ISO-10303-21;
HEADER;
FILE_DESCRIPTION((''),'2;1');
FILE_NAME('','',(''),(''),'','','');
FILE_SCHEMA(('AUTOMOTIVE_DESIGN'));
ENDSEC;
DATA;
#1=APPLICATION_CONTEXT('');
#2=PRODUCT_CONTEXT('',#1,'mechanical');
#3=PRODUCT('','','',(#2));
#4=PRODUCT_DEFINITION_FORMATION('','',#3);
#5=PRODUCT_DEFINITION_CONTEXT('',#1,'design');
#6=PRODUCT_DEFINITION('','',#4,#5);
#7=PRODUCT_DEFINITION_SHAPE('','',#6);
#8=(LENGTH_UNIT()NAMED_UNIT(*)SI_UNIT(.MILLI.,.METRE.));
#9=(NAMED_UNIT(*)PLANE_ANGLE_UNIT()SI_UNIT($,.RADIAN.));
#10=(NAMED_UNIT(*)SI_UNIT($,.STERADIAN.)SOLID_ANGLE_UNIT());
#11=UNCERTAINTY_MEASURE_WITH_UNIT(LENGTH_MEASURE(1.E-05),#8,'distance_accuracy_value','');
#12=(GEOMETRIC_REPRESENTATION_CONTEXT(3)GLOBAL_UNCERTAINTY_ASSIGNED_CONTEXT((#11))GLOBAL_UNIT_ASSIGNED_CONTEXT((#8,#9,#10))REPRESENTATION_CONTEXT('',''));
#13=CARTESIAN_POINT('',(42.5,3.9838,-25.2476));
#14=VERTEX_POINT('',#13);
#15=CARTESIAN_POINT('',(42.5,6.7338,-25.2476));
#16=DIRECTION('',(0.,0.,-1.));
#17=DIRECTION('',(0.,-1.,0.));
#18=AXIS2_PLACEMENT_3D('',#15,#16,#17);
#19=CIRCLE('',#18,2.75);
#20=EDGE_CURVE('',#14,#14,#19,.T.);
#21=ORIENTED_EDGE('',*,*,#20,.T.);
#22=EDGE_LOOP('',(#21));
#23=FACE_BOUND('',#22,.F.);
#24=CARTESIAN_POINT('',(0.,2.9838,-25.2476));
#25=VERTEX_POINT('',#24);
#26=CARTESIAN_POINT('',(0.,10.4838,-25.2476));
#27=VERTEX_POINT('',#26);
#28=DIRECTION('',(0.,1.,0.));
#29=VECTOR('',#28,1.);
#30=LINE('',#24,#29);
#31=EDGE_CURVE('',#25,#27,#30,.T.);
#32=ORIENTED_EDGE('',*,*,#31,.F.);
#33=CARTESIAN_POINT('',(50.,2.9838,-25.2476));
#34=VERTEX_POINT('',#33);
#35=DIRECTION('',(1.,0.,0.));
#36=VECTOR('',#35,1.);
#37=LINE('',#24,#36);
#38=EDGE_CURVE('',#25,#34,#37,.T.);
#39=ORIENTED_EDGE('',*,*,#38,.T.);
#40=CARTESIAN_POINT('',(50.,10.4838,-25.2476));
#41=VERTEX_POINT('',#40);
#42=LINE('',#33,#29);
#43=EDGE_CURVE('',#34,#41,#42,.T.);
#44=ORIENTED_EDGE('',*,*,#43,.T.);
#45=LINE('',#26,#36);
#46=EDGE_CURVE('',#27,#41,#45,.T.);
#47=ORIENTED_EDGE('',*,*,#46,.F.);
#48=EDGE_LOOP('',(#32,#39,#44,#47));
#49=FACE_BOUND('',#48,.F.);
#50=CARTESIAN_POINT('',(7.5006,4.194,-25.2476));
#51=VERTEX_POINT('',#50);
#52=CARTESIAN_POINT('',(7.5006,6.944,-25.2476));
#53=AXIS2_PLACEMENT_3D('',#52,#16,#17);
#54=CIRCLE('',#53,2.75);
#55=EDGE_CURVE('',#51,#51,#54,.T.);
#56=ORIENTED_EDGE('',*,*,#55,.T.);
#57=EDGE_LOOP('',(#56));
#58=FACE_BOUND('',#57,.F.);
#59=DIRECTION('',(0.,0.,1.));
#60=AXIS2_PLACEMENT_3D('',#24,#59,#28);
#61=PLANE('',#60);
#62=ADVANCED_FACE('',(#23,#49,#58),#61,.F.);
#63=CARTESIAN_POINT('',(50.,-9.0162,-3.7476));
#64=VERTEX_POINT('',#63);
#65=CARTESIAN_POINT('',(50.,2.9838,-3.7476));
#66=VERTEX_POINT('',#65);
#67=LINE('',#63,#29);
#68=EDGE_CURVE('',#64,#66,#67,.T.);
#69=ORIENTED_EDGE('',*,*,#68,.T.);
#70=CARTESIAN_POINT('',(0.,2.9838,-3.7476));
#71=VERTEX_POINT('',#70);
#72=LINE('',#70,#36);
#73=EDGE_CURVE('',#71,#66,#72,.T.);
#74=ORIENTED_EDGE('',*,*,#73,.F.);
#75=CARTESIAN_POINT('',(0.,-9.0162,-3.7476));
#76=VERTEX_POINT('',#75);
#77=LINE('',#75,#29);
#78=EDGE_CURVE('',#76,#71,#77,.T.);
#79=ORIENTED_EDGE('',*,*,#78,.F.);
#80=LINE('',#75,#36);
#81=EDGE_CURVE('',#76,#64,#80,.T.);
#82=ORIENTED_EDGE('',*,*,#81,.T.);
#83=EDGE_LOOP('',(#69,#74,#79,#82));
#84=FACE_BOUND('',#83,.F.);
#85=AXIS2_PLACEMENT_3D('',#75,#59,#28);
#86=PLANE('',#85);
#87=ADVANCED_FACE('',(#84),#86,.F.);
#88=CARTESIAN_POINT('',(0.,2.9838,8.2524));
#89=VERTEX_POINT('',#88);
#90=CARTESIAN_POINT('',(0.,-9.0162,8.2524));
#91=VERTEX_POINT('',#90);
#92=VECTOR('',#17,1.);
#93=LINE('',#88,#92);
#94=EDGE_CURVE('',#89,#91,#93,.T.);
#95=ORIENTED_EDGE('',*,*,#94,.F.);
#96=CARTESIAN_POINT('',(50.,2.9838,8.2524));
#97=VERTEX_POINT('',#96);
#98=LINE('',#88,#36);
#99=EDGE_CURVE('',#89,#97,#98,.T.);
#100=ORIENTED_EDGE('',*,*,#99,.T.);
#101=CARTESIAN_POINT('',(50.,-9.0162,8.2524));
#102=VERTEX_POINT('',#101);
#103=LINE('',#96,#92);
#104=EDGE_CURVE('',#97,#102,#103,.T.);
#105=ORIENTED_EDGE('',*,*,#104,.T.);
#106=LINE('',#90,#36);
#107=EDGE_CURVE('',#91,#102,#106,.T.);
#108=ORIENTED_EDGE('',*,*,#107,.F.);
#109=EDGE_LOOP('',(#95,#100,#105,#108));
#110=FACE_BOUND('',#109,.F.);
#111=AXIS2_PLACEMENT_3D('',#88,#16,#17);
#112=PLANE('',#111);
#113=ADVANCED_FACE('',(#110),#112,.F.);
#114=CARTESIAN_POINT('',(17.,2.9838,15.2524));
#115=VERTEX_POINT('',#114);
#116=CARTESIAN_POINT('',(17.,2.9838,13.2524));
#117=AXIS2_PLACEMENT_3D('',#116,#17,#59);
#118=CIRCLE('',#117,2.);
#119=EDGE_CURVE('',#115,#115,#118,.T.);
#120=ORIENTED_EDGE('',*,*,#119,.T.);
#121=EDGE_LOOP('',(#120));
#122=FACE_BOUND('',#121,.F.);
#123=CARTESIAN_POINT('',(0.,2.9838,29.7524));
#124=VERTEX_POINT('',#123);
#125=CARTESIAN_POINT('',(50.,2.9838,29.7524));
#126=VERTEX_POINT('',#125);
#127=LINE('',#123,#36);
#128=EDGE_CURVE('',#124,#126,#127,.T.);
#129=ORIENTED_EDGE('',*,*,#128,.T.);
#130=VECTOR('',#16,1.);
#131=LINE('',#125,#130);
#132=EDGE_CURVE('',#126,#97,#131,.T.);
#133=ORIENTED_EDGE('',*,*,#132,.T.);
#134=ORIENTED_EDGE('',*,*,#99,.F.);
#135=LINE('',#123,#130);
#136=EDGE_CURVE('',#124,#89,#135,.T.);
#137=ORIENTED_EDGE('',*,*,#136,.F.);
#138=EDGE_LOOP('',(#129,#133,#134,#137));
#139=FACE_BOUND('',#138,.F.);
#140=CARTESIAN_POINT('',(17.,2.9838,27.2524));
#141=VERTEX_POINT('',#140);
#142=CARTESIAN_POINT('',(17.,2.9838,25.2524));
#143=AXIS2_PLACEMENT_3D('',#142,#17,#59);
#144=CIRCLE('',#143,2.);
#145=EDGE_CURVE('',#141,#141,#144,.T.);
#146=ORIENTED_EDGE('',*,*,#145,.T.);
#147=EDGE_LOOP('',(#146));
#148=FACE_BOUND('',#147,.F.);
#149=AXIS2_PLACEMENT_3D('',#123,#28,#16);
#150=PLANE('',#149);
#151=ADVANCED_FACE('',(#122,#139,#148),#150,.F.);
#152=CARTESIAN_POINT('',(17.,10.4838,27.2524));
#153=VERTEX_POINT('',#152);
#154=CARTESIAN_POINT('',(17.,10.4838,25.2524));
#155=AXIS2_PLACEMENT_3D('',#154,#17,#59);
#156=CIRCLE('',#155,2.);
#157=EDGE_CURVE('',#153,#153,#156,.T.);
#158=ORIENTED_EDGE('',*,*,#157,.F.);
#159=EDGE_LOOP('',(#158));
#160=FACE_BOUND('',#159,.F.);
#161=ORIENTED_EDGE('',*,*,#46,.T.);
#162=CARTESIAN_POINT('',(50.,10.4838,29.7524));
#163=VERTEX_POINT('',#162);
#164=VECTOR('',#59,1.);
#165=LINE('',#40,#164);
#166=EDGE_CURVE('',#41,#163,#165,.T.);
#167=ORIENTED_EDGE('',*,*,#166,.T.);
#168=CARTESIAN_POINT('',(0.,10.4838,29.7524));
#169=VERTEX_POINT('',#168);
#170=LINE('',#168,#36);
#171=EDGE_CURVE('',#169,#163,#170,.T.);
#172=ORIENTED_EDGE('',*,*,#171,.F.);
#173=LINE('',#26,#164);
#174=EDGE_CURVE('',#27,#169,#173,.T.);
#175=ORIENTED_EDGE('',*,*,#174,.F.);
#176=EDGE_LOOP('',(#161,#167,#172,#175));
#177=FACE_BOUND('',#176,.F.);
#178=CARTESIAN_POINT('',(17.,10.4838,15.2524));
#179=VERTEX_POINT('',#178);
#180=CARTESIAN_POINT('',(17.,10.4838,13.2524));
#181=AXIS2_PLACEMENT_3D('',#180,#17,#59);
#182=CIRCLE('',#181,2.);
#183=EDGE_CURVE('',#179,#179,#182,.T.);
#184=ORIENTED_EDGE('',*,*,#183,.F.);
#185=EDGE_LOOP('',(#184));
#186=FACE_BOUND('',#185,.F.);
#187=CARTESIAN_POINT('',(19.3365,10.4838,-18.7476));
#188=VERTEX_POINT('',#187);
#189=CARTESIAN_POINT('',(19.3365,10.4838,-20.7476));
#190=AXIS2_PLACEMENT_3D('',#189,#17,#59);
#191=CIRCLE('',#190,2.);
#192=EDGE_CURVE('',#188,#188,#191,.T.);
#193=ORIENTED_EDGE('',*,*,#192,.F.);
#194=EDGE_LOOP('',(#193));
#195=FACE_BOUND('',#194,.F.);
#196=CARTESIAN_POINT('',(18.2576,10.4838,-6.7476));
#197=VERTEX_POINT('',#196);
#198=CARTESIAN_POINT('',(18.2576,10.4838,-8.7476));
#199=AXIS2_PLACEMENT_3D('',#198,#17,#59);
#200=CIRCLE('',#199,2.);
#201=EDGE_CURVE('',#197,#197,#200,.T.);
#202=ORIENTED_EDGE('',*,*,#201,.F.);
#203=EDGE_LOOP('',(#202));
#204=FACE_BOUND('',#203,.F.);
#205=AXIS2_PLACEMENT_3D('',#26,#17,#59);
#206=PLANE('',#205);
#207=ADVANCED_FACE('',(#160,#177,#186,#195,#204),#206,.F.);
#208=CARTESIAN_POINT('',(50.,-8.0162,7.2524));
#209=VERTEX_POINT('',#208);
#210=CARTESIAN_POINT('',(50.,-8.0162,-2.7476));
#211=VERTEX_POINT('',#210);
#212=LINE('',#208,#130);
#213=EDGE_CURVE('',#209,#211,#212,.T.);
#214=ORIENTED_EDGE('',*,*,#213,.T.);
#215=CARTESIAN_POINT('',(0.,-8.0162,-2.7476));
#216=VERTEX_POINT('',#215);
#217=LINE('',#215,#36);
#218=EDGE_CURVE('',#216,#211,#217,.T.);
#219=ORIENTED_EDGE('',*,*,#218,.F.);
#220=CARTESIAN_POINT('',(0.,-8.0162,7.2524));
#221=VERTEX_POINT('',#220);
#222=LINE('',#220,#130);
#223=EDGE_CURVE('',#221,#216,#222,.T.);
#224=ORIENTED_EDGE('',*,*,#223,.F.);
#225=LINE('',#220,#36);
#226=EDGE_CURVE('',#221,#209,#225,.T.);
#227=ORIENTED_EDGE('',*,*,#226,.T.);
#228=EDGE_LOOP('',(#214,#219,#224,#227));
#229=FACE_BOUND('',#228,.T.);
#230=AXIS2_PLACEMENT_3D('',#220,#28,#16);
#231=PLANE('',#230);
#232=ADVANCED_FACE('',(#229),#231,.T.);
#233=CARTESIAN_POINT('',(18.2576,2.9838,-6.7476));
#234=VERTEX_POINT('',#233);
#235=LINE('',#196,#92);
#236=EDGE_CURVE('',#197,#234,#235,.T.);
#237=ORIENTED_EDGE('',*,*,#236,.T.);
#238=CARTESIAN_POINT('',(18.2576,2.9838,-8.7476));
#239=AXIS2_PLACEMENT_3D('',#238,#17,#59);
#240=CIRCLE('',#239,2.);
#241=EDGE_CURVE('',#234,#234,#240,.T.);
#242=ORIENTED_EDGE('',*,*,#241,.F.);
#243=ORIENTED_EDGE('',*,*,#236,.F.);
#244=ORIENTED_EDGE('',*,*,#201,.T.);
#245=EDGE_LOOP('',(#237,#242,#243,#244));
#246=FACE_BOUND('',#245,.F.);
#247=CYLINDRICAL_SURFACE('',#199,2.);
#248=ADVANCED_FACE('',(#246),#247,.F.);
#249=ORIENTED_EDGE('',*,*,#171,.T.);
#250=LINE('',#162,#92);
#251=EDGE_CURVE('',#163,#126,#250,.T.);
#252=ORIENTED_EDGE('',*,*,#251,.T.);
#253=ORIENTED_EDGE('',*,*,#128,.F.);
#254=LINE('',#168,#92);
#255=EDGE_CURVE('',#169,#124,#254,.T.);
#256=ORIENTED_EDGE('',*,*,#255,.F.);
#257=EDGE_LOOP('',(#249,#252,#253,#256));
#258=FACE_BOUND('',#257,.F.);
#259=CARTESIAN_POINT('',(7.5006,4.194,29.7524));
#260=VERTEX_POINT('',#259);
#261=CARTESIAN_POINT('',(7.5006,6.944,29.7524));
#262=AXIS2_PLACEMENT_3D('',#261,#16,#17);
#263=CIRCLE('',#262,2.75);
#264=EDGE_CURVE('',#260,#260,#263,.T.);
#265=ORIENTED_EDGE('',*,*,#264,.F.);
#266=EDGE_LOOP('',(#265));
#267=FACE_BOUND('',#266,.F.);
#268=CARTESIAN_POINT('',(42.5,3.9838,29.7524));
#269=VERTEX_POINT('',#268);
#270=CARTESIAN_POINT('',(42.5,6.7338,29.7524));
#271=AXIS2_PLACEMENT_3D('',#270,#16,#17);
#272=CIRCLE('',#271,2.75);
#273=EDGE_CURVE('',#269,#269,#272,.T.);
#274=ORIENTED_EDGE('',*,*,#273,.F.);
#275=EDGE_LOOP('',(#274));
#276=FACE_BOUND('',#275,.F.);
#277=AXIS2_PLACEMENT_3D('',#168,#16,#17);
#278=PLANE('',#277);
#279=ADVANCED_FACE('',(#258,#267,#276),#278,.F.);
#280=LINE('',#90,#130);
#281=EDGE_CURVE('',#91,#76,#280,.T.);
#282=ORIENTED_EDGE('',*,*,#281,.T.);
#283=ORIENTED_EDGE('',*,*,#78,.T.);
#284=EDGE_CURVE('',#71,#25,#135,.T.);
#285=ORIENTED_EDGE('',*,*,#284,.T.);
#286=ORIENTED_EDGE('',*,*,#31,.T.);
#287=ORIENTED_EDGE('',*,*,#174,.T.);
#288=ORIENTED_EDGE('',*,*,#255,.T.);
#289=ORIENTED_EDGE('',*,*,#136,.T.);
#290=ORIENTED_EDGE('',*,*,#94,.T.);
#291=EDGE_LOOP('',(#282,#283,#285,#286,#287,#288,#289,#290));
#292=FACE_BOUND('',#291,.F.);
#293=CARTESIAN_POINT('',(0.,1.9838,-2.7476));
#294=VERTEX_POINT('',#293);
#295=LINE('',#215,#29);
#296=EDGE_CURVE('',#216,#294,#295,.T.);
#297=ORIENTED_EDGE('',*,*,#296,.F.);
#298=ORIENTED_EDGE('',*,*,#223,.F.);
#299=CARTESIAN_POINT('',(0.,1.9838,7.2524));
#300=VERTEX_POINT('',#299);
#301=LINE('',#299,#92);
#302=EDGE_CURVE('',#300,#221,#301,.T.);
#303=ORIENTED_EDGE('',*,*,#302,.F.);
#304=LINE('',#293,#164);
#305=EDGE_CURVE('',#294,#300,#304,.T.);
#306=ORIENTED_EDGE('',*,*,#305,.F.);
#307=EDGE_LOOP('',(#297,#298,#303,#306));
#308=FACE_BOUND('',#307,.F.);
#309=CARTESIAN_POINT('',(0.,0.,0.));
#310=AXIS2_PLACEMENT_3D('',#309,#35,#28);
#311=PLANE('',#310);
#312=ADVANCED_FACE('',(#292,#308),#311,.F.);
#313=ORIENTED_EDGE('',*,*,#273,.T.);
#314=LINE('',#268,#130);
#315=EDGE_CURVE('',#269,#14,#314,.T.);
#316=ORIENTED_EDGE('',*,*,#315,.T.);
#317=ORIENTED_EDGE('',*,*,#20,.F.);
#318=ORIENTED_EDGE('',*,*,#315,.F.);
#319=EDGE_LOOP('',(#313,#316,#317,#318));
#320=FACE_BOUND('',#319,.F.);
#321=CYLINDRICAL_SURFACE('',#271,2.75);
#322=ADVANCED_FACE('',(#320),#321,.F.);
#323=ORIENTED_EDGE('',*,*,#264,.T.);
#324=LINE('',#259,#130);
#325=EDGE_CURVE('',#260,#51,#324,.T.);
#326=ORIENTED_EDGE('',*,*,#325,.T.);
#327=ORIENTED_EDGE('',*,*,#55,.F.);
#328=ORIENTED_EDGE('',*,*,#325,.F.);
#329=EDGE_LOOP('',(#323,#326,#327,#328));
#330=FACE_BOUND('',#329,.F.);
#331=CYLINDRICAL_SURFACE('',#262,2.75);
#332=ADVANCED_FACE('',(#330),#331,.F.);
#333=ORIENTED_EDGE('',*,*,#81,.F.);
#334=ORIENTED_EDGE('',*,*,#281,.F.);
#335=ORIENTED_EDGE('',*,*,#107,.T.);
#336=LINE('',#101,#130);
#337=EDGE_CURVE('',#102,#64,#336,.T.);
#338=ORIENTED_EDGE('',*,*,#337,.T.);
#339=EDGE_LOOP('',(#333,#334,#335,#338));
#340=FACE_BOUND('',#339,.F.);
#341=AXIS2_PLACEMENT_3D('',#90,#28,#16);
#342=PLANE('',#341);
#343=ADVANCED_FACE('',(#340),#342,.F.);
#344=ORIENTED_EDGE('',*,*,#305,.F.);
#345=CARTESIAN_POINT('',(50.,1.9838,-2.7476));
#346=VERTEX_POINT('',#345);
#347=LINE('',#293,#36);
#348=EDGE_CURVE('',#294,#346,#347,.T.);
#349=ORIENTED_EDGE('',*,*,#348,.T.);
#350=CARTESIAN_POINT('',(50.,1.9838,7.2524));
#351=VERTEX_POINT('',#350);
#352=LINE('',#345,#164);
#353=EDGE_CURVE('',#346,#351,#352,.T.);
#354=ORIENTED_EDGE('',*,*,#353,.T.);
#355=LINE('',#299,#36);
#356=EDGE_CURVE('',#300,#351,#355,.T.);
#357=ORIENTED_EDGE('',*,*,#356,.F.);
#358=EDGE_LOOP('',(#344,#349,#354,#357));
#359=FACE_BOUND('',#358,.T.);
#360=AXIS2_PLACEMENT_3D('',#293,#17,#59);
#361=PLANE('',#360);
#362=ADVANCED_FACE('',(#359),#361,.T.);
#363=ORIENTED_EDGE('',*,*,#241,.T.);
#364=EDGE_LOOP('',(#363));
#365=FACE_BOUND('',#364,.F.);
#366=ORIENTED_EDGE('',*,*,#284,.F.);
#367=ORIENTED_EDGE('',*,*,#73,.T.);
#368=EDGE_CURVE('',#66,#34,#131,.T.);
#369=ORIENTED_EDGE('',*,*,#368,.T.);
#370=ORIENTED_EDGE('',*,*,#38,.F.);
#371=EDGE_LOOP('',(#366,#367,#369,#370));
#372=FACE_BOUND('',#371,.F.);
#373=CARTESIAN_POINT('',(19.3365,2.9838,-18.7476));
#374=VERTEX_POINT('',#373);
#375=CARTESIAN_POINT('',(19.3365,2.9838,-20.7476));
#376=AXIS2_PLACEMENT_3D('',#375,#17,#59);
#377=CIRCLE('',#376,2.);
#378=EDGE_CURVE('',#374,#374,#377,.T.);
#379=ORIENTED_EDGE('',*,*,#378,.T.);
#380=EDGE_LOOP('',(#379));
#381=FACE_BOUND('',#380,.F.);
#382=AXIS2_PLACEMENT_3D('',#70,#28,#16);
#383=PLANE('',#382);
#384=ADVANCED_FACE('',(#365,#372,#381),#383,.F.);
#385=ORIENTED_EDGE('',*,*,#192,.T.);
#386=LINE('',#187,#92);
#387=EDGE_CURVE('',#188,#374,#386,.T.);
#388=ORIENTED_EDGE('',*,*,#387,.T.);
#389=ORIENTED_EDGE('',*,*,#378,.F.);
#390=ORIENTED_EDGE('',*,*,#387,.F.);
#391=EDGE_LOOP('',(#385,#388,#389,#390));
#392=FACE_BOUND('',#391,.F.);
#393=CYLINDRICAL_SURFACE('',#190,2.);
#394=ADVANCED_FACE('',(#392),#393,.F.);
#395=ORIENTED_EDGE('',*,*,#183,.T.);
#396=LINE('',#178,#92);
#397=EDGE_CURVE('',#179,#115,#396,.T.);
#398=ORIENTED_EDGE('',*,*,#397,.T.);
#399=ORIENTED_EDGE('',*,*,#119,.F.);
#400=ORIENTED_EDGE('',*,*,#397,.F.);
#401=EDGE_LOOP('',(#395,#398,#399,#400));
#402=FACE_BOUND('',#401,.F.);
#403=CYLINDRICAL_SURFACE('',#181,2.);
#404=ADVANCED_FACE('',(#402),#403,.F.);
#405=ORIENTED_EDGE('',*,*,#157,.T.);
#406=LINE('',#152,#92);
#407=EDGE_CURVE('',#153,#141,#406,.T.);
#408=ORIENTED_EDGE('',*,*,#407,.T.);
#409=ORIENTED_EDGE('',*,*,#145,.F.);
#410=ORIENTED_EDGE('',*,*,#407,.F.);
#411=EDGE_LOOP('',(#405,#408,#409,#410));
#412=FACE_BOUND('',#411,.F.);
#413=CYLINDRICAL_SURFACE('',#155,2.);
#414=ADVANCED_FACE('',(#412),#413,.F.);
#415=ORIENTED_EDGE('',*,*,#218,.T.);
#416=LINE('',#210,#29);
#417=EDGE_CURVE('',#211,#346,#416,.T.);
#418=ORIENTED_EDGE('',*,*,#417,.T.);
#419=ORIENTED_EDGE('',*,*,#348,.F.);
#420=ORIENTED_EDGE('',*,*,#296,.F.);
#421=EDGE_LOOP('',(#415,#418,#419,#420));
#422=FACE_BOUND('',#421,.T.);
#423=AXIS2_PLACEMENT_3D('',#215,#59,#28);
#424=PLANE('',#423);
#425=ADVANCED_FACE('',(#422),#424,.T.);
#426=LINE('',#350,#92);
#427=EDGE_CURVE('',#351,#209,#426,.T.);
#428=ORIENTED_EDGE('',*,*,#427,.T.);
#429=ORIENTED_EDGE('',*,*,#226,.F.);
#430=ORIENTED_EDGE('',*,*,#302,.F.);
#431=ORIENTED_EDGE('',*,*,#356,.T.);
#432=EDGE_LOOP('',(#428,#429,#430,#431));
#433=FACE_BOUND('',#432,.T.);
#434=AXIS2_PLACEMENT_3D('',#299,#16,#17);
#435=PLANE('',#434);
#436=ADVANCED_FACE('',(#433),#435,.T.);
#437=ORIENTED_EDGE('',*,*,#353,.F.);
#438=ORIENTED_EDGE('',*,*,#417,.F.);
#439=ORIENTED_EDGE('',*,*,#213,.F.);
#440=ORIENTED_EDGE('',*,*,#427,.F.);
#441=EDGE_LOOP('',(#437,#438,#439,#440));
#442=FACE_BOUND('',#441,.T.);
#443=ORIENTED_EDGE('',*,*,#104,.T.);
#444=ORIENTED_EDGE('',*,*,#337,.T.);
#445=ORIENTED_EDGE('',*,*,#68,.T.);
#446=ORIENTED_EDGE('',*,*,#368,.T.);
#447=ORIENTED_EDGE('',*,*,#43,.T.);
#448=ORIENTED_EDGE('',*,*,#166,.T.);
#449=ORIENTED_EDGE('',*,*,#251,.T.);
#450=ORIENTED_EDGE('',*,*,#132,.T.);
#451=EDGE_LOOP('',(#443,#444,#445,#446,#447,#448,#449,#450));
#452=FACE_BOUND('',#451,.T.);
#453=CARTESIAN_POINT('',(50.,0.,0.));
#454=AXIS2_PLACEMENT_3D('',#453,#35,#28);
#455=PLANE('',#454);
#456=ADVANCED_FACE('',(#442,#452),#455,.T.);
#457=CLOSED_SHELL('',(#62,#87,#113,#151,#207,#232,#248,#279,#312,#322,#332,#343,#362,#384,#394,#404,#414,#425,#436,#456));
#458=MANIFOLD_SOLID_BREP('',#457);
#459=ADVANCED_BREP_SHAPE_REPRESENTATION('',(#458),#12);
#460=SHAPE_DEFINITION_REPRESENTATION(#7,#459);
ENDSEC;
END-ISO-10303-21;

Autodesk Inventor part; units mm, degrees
ref_plane "YZ Plane" through (0, 0, 0) normal (1, 0, 0) x (0, 1, 0)
ref_plane "XZ Plane" through (0, 0, 0) normal (0, 1, 0) x (-1, 0, 0)
sketch "Sketch1" plane through (0, 0, 0) normal (1, 0, 0) x (0, 1, 0)
  line L0 (2.9838, 8.2524) -> (-9.0162, 8.2524)
  line L1 (-9.0162, 8.2524) -> (-9.0162, -3.7476)
  line L2 (-9.0162, -3.7476) -> (2.9838, -3.7476)
  line L3 (2.9838, -3.7476) -> (2.9838, 8.2524)
  line L4 (1.9838, 7.2524) -> (-8.0162, 7.2524)
  line L5 (-8.0162, 7.2524) -> (-8.0162, -2.7476)
  line L6 (-8.0162, -2.7476) -> (1.9838, -2.7476)
  line L7 (1.9838, -2.7476) -> (1.9838, 7.2524)
  line L8 (10.4838, 29.7524) -> (2.9838, 29.7524)
  line L9 (2.9838, 29.7524) -> (2.9838, -25.2476)
  line L10 (2.9838, -25.2476) -> (10.4838, -25.2476)
  line L11 (10.4838, -25.2476) -> (10.4838, 29.7524)
  point P0 (0, 0)
  dimension "d0" = 12
  dimension "d1" = 10
  dimension "d2" = 10
  dimension "d3" = 12
  dimension "d4" = 1
  dimension "d5" = 1
  dimension "d22" = 21.5
  dimension "d24" = 55
  dimension "d25" = 7.5
  dimension "d55" = 21.5
extrude "Extrusion1" add sketch "Sketch1" along normal blind 50
ref_plane "Work Plane1" through (0, -9.0162, 2.2524) normal (0, 0, 1) x (1, 0, 0)
sketch "Sketch3" plane through (0, 2.9838, 29.7524) normal (0, 0, 1) x (1, 0, 0)
  line L0 (50, 7.5) -> (50, 0) projected
  line L1 (0, 7.5) -> (50, 7.5) projected
  point P0 (0, -2.9838)
  point P1 (7.5006, 3.9603)
  point P2 (42.5, 3.75)
  dimension "d26" = 35
  dimension "d27" = 7.5
  dimension "d28" = 50
  dimension "d29" = 7.5
  dimension "d30" = 3.75
hole "Hole1" at (42.5, 6.7338, 29.7524) at (7.5006, 6.944, 29.7524) direction (0, 0, -1) diameter 5.5 end through all
sketch "Sketch4" plane through (0, 10.4838, 29.7524) normal (0, 1, 0) x (1, 0, 0)
  line L0 (50, 55) -> (50, 0) projected
  line L1 (0, 0) -> (50, 0) projected
  line L2 (50, 21.5) -> (50, 33.5) projected
  line L3 (0, 55) -> (0, 0) projected
  line L4 (0, 55) -> (50, 55) projected
  point P0 (0, 29.7524)
  point P1 (17, 4.5)
  point P2 (17, 16.5)
  point P3 (19.3365, 50.5)
  point P4 (18.2576, 38.5)
  dimension "d38" = 33
  dimension "d39" = 4.5
  dimension "d40" = 12
  dimension "d57" = 12
  dimension "d58" = 4.5
hole "Hole3" at (19.3365, 10.4838, -20.7476) at (18.2576, 10.4838, -8.7476) at (17, 10.4838, 13.2524) at (17, 10.4838, 25.2524) direction (0, -1, 0) diameter 4 end through all
equation "\"d2\" = d1"
equation "\"d3\" = d0"
equation "\"d5\" = d4"
equation "\"d22\" = d55"
equation "\"d27\" = -0.5 * d26 + 0.5 * d28"
equation "\"d30\" = 0.5 * d29"
equation "\"d57\" = d40"
equation "\"d58\" = d39"
properties part number "fuselage_wing_interface"
